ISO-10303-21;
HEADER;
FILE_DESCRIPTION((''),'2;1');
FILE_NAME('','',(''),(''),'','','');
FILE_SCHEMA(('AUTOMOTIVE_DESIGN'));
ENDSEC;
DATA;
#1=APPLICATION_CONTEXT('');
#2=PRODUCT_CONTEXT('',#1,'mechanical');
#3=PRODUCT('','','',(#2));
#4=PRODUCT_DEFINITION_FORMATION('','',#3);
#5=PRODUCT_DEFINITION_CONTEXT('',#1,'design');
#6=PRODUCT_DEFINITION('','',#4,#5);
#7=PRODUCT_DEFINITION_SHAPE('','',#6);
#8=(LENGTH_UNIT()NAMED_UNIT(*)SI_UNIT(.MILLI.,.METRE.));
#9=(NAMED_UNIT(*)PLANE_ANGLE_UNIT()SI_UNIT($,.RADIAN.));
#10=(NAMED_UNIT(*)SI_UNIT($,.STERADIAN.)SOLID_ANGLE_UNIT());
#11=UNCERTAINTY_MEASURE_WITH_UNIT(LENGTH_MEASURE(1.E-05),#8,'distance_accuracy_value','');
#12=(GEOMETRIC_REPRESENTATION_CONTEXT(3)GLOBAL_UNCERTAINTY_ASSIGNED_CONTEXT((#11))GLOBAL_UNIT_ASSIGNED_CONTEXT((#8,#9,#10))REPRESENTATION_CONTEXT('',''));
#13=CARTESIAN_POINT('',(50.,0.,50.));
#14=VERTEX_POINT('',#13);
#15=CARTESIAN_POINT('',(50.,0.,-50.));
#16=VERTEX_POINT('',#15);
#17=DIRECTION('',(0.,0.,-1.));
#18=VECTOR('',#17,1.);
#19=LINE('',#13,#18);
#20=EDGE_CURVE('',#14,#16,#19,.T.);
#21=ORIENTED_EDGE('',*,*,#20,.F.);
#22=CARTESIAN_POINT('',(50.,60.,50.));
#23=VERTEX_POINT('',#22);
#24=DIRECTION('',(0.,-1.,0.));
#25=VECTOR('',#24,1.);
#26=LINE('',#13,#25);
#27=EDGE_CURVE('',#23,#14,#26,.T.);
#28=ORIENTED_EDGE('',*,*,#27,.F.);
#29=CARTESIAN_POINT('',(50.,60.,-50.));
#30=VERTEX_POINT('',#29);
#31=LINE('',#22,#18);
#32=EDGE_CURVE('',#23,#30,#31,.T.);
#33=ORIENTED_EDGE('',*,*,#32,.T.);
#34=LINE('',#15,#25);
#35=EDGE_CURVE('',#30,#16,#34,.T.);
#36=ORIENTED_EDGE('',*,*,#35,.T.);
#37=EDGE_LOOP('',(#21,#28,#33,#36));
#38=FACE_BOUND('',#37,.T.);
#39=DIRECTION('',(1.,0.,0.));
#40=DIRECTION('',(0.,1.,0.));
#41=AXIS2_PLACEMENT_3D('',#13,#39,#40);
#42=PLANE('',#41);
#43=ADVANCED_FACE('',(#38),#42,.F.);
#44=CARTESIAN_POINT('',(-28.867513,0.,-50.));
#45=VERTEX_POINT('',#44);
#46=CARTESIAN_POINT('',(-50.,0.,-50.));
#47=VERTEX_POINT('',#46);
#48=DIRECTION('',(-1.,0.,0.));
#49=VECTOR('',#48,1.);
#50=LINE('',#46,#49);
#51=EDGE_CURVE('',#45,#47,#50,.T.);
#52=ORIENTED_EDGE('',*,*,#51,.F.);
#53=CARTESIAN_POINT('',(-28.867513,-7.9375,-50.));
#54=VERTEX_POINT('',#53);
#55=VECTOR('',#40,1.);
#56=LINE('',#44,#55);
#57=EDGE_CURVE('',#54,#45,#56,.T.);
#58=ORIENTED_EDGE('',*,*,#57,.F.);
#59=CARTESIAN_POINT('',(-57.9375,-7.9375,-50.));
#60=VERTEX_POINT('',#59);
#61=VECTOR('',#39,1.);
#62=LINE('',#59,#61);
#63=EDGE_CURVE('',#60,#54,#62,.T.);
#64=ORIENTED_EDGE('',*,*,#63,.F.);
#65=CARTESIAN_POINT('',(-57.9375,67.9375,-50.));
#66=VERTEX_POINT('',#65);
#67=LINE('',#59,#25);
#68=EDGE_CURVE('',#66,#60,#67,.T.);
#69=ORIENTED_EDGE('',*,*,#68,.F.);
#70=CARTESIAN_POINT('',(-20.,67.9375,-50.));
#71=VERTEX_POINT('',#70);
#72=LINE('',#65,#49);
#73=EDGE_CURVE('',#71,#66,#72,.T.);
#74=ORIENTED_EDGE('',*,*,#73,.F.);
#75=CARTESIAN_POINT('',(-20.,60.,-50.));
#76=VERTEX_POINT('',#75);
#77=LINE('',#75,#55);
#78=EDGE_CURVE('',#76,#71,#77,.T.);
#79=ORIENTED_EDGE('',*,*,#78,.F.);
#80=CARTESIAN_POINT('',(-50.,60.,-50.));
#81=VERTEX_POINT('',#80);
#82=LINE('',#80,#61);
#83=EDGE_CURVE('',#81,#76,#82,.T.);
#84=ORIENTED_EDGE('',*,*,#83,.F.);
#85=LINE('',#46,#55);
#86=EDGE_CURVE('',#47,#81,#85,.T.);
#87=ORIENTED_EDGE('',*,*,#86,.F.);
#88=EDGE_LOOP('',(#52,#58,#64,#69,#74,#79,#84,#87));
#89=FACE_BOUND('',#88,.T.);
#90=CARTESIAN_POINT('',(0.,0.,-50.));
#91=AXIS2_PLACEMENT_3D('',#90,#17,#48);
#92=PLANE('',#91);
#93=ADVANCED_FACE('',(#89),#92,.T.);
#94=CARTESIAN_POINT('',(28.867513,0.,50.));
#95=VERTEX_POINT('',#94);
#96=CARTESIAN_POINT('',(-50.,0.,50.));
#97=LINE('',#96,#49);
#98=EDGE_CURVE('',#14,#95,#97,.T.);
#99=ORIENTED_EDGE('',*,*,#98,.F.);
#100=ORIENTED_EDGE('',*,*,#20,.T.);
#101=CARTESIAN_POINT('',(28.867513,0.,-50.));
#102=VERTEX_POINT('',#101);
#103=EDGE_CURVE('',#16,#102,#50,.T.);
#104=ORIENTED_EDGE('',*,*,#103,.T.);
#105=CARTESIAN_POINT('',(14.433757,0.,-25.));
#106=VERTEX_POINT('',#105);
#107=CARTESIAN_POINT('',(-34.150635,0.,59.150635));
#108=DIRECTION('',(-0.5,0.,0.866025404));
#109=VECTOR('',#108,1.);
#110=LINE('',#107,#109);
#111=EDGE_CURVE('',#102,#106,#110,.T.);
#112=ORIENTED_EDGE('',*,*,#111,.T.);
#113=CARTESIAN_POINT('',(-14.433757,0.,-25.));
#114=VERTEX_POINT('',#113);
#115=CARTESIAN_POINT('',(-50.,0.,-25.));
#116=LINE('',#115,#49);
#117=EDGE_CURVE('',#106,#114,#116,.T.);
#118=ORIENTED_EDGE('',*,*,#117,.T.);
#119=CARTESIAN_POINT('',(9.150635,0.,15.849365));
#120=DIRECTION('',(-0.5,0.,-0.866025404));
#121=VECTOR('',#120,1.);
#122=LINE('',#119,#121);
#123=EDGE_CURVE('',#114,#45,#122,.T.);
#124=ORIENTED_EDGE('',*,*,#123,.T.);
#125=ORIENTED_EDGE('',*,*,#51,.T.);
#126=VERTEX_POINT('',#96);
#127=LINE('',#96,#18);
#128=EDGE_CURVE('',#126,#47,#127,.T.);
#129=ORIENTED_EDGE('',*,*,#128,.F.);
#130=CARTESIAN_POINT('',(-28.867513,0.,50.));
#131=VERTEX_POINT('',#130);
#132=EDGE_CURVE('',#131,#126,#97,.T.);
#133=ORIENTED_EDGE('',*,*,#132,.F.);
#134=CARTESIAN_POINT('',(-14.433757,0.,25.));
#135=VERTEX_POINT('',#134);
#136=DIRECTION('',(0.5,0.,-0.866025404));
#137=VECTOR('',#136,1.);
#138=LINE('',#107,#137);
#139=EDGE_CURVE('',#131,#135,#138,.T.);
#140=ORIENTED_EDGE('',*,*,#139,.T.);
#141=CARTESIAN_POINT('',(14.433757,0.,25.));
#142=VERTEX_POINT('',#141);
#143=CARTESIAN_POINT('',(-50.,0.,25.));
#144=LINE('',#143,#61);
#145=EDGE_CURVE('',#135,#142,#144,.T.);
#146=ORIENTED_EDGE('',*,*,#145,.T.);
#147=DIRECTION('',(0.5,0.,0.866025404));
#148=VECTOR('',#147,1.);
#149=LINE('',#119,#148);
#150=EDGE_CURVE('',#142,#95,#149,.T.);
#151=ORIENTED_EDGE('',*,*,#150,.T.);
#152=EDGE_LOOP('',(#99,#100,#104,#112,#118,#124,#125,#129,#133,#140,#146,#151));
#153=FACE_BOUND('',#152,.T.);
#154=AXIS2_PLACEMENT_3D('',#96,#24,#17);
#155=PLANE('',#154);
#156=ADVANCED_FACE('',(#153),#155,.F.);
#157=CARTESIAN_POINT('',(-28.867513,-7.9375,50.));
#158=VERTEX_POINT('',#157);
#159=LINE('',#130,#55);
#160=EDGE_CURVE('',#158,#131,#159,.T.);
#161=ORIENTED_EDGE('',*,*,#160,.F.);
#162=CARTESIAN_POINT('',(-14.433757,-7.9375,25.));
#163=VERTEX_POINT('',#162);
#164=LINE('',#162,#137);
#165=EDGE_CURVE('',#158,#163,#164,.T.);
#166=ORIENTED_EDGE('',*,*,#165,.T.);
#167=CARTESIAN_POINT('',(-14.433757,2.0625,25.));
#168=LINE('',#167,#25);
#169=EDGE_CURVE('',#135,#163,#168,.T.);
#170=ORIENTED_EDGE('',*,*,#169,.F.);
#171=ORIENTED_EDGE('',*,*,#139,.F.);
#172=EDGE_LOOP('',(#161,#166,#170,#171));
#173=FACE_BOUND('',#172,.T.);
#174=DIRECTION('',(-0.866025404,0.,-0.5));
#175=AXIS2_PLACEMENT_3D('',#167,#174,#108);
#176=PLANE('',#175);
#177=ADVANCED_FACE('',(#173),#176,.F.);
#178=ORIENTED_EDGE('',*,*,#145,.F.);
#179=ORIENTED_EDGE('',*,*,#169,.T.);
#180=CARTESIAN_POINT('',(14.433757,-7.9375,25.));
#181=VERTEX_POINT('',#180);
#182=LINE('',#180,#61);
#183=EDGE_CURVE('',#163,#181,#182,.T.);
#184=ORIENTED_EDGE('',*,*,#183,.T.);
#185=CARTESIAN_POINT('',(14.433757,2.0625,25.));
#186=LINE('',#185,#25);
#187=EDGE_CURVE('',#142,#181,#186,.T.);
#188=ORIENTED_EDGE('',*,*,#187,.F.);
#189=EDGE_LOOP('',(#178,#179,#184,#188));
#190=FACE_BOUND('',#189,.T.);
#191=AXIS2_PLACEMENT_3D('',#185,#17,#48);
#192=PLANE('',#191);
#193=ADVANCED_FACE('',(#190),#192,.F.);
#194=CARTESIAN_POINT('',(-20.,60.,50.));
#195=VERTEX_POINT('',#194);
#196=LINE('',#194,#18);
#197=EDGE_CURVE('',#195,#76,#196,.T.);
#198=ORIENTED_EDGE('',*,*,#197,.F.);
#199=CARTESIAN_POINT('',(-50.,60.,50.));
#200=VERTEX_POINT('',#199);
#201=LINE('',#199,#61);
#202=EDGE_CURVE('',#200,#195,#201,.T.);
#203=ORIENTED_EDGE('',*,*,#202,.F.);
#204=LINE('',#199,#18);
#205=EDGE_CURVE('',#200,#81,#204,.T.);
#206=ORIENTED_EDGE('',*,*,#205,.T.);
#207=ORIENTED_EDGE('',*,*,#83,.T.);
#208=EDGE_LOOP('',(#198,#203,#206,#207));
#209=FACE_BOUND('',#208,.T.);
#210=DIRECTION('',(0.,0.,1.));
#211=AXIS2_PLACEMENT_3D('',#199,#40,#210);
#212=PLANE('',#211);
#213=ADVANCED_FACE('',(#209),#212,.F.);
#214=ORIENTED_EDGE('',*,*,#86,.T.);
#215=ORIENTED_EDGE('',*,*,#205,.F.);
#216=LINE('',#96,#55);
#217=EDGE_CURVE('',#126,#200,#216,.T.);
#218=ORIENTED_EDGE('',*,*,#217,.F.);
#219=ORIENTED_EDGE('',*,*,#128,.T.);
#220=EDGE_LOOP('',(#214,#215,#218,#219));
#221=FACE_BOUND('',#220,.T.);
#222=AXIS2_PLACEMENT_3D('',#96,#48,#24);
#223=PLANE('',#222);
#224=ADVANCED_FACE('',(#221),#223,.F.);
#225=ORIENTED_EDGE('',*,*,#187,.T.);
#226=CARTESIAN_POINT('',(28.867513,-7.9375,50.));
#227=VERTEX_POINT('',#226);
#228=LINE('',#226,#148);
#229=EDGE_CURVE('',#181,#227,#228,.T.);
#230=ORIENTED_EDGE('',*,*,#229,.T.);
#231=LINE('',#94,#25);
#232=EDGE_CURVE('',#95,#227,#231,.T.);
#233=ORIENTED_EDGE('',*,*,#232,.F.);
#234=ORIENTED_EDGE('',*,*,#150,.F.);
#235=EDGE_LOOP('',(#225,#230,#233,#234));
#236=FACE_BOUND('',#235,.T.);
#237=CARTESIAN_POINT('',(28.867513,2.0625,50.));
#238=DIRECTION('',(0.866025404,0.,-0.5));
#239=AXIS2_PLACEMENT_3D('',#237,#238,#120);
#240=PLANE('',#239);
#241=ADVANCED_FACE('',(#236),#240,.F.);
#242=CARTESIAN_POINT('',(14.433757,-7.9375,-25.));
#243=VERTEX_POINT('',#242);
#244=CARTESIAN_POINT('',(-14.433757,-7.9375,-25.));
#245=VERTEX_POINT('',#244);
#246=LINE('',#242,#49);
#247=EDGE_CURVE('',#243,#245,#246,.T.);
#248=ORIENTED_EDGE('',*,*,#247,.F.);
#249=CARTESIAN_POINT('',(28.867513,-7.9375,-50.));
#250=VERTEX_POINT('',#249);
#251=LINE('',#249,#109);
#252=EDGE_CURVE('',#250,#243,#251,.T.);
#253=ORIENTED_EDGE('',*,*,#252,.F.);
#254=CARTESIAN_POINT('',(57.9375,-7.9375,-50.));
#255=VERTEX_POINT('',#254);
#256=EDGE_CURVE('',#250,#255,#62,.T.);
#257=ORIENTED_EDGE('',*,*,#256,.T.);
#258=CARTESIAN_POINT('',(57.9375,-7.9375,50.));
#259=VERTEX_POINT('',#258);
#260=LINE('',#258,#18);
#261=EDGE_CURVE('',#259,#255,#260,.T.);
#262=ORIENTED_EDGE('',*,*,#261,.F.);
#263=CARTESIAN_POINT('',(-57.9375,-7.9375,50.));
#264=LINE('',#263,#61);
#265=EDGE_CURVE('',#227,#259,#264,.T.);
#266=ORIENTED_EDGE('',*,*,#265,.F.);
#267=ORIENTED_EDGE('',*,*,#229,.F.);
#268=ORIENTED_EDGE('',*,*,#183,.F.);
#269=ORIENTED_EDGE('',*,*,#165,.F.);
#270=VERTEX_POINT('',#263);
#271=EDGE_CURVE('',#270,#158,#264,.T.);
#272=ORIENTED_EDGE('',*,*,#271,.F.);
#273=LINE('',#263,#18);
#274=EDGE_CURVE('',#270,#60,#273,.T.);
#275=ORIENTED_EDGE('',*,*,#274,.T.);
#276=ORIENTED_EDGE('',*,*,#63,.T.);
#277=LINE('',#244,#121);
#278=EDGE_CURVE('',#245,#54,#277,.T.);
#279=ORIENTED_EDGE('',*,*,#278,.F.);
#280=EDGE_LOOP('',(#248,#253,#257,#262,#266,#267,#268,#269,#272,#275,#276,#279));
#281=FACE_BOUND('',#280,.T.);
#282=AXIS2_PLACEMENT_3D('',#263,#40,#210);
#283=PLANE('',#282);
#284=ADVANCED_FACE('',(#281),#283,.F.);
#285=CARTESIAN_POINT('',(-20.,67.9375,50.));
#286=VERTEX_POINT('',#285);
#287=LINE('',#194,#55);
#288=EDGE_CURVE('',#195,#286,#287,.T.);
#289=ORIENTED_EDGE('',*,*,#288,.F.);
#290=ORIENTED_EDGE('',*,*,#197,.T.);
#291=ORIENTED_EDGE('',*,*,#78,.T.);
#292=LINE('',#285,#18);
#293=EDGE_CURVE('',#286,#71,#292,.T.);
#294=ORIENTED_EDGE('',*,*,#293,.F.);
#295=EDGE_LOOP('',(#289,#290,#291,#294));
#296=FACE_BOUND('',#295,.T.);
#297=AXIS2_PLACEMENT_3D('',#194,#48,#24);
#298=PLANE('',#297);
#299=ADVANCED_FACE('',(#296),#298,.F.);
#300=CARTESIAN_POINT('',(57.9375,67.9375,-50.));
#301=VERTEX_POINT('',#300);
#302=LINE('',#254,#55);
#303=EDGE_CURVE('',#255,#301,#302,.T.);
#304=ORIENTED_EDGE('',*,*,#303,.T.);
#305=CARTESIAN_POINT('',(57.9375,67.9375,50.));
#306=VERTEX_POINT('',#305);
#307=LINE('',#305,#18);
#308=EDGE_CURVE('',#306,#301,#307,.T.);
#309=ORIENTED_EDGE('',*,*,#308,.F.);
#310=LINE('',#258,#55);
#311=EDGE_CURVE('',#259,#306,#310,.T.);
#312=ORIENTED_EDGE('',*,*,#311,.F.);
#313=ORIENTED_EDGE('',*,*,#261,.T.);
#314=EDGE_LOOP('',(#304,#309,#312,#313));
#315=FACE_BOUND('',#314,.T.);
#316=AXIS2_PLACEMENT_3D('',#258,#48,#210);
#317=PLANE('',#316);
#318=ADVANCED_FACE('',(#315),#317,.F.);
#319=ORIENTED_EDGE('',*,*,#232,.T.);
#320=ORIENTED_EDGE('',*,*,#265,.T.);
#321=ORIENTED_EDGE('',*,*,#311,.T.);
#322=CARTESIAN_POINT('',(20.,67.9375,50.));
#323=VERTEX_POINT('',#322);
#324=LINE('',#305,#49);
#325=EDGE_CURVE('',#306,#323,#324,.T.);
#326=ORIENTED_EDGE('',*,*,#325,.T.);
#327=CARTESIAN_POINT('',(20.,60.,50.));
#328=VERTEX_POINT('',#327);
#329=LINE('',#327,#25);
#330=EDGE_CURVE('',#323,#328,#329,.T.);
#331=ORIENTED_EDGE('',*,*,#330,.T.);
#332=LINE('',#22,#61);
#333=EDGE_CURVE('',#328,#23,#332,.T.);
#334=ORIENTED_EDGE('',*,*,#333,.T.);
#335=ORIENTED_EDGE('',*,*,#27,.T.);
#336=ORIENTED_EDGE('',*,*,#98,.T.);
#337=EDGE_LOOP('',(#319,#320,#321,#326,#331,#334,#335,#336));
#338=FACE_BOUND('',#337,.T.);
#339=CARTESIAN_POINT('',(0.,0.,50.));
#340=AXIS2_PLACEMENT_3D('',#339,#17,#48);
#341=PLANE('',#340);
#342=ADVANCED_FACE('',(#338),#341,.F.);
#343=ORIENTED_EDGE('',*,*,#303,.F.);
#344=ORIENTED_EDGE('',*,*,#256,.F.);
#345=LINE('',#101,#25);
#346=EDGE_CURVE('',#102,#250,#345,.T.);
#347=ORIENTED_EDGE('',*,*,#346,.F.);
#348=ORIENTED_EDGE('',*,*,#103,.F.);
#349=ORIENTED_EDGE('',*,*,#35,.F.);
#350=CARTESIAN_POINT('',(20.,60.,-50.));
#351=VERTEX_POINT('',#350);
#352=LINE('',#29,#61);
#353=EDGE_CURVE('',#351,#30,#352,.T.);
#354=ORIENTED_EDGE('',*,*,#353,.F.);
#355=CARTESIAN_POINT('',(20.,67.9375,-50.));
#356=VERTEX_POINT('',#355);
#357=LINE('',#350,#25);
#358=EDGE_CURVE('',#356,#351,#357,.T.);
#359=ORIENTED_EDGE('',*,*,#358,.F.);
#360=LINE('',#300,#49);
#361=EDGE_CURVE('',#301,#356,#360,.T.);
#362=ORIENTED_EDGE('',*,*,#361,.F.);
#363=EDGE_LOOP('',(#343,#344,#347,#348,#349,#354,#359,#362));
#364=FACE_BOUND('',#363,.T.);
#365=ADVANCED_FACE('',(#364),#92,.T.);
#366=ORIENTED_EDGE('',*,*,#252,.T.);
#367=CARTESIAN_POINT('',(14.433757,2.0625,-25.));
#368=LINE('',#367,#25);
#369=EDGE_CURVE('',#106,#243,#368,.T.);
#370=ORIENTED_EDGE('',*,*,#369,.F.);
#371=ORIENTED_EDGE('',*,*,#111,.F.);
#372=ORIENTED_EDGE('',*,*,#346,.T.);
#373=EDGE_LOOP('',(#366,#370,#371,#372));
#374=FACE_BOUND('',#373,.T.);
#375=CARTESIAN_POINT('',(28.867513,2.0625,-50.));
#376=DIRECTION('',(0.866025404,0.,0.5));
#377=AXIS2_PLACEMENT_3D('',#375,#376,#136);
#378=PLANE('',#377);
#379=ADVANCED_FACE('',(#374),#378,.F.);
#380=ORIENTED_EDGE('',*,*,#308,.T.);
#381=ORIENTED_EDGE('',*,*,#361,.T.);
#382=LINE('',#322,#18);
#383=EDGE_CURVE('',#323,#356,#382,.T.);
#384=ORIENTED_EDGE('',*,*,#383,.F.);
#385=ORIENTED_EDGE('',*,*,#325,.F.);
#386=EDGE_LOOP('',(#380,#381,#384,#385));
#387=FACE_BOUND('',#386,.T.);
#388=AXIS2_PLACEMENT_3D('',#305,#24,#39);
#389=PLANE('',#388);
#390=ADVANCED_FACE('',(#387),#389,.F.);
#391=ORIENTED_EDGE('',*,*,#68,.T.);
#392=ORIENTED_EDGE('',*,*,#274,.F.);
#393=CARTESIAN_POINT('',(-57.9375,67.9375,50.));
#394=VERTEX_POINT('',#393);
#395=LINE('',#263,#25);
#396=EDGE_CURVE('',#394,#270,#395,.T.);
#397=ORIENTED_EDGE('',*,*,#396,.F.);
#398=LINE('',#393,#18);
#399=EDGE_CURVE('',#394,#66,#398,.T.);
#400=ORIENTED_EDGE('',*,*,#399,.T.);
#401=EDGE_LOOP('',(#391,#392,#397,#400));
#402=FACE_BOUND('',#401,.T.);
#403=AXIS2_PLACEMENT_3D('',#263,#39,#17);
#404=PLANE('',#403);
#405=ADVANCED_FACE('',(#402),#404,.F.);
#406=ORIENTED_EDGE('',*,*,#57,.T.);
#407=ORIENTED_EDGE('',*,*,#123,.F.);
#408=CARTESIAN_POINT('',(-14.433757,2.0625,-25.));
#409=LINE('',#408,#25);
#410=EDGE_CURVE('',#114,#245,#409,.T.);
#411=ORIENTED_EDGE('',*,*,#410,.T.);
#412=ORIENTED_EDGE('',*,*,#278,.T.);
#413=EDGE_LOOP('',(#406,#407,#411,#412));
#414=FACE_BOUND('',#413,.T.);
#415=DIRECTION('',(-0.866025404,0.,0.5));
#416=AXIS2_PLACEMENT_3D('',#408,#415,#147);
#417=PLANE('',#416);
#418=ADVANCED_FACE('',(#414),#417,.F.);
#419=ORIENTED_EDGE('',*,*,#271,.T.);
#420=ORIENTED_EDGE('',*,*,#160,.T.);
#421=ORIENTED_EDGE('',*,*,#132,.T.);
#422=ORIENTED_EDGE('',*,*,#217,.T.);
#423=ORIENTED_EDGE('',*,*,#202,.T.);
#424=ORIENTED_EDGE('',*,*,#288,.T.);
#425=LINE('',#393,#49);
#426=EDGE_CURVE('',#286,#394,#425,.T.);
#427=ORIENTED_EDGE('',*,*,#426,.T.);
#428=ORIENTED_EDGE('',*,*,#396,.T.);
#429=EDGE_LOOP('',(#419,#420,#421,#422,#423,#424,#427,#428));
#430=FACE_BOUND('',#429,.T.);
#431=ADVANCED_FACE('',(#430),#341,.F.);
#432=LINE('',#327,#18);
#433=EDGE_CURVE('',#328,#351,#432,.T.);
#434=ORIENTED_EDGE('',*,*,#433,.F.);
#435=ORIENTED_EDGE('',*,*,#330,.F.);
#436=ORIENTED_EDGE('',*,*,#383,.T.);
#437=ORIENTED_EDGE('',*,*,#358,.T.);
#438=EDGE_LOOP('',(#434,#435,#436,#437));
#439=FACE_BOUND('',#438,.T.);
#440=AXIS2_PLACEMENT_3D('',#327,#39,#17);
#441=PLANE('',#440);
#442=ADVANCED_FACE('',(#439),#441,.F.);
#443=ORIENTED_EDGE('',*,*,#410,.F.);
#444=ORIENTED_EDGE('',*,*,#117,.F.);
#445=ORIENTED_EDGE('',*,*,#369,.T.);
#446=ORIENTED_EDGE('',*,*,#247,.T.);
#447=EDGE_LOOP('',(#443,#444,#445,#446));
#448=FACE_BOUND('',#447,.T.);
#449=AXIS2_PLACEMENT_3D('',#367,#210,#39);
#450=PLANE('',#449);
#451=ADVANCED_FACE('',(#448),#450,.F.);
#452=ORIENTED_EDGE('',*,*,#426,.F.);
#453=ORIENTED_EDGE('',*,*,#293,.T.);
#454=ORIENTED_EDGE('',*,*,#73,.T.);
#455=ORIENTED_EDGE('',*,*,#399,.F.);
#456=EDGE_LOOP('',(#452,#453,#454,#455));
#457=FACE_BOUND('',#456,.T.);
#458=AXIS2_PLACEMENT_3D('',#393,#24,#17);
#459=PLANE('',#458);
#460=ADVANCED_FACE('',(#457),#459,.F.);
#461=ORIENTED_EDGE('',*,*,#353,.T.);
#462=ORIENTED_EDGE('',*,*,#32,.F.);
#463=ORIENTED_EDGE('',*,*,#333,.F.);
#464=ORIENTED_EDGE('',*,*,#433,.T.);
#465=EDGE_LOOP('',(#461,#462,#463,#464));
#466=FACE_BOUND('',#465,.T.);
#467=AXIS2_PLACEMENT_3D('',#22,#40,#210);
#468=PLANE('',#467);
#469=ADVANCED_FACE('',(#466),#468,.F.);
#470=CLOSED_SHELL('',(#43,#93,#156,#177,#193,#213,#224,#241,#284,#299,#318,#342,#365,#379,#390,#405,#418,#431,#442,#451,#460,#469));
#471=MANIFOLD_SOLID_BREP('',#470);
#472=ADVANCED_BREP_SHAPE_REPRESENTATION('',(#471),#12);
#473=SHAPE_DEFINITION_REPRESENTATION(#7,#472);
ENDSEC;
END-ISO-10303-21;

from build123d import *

# Parameters (mm, degrees)
SALIENTE_EXTRUIR1_DEPTH = 50
CORTAR_EXTRUIR1_DEPTH   = 10


with BuildPart() as part:
    # Croquis1 → Saliente-Extruir1 (new, symmetric)
    with BuildSketch(Plane.XY):
        Polygon((-50, 0), (50, 0), (50, 60), (20, 60), (20, 67.9375), (57.9375, 67.9375), (57.9375, -7.9375), (-57.9375, -7.9375), (-57.9375, 67.9375), (-20, 67.9375), (-20, 60), (-50, 60), align=None)
    extrude(amount=SALIENTE_EXTRUIR1_DEPTH, both=True)

    # Croquis2 → Cortar-Extruir1 (cut)
    with BuildSketch(Plane.XZ.offset(7.9375)):
        Polygon((-28.867513459, -50), (28.867513459, -50), (14.43375673, -25), (-14.43375673, -25), align=None)
        Polygon((-28.867513459, 50), (28.867513459, 50), (14.43375673, 25), (-14.43375673, 25), align=None)
    extrude(amount=-CORTAR_EXTRUIR1_DEPTH, mode=Mode.SUBTRACT)


solid = part.part
